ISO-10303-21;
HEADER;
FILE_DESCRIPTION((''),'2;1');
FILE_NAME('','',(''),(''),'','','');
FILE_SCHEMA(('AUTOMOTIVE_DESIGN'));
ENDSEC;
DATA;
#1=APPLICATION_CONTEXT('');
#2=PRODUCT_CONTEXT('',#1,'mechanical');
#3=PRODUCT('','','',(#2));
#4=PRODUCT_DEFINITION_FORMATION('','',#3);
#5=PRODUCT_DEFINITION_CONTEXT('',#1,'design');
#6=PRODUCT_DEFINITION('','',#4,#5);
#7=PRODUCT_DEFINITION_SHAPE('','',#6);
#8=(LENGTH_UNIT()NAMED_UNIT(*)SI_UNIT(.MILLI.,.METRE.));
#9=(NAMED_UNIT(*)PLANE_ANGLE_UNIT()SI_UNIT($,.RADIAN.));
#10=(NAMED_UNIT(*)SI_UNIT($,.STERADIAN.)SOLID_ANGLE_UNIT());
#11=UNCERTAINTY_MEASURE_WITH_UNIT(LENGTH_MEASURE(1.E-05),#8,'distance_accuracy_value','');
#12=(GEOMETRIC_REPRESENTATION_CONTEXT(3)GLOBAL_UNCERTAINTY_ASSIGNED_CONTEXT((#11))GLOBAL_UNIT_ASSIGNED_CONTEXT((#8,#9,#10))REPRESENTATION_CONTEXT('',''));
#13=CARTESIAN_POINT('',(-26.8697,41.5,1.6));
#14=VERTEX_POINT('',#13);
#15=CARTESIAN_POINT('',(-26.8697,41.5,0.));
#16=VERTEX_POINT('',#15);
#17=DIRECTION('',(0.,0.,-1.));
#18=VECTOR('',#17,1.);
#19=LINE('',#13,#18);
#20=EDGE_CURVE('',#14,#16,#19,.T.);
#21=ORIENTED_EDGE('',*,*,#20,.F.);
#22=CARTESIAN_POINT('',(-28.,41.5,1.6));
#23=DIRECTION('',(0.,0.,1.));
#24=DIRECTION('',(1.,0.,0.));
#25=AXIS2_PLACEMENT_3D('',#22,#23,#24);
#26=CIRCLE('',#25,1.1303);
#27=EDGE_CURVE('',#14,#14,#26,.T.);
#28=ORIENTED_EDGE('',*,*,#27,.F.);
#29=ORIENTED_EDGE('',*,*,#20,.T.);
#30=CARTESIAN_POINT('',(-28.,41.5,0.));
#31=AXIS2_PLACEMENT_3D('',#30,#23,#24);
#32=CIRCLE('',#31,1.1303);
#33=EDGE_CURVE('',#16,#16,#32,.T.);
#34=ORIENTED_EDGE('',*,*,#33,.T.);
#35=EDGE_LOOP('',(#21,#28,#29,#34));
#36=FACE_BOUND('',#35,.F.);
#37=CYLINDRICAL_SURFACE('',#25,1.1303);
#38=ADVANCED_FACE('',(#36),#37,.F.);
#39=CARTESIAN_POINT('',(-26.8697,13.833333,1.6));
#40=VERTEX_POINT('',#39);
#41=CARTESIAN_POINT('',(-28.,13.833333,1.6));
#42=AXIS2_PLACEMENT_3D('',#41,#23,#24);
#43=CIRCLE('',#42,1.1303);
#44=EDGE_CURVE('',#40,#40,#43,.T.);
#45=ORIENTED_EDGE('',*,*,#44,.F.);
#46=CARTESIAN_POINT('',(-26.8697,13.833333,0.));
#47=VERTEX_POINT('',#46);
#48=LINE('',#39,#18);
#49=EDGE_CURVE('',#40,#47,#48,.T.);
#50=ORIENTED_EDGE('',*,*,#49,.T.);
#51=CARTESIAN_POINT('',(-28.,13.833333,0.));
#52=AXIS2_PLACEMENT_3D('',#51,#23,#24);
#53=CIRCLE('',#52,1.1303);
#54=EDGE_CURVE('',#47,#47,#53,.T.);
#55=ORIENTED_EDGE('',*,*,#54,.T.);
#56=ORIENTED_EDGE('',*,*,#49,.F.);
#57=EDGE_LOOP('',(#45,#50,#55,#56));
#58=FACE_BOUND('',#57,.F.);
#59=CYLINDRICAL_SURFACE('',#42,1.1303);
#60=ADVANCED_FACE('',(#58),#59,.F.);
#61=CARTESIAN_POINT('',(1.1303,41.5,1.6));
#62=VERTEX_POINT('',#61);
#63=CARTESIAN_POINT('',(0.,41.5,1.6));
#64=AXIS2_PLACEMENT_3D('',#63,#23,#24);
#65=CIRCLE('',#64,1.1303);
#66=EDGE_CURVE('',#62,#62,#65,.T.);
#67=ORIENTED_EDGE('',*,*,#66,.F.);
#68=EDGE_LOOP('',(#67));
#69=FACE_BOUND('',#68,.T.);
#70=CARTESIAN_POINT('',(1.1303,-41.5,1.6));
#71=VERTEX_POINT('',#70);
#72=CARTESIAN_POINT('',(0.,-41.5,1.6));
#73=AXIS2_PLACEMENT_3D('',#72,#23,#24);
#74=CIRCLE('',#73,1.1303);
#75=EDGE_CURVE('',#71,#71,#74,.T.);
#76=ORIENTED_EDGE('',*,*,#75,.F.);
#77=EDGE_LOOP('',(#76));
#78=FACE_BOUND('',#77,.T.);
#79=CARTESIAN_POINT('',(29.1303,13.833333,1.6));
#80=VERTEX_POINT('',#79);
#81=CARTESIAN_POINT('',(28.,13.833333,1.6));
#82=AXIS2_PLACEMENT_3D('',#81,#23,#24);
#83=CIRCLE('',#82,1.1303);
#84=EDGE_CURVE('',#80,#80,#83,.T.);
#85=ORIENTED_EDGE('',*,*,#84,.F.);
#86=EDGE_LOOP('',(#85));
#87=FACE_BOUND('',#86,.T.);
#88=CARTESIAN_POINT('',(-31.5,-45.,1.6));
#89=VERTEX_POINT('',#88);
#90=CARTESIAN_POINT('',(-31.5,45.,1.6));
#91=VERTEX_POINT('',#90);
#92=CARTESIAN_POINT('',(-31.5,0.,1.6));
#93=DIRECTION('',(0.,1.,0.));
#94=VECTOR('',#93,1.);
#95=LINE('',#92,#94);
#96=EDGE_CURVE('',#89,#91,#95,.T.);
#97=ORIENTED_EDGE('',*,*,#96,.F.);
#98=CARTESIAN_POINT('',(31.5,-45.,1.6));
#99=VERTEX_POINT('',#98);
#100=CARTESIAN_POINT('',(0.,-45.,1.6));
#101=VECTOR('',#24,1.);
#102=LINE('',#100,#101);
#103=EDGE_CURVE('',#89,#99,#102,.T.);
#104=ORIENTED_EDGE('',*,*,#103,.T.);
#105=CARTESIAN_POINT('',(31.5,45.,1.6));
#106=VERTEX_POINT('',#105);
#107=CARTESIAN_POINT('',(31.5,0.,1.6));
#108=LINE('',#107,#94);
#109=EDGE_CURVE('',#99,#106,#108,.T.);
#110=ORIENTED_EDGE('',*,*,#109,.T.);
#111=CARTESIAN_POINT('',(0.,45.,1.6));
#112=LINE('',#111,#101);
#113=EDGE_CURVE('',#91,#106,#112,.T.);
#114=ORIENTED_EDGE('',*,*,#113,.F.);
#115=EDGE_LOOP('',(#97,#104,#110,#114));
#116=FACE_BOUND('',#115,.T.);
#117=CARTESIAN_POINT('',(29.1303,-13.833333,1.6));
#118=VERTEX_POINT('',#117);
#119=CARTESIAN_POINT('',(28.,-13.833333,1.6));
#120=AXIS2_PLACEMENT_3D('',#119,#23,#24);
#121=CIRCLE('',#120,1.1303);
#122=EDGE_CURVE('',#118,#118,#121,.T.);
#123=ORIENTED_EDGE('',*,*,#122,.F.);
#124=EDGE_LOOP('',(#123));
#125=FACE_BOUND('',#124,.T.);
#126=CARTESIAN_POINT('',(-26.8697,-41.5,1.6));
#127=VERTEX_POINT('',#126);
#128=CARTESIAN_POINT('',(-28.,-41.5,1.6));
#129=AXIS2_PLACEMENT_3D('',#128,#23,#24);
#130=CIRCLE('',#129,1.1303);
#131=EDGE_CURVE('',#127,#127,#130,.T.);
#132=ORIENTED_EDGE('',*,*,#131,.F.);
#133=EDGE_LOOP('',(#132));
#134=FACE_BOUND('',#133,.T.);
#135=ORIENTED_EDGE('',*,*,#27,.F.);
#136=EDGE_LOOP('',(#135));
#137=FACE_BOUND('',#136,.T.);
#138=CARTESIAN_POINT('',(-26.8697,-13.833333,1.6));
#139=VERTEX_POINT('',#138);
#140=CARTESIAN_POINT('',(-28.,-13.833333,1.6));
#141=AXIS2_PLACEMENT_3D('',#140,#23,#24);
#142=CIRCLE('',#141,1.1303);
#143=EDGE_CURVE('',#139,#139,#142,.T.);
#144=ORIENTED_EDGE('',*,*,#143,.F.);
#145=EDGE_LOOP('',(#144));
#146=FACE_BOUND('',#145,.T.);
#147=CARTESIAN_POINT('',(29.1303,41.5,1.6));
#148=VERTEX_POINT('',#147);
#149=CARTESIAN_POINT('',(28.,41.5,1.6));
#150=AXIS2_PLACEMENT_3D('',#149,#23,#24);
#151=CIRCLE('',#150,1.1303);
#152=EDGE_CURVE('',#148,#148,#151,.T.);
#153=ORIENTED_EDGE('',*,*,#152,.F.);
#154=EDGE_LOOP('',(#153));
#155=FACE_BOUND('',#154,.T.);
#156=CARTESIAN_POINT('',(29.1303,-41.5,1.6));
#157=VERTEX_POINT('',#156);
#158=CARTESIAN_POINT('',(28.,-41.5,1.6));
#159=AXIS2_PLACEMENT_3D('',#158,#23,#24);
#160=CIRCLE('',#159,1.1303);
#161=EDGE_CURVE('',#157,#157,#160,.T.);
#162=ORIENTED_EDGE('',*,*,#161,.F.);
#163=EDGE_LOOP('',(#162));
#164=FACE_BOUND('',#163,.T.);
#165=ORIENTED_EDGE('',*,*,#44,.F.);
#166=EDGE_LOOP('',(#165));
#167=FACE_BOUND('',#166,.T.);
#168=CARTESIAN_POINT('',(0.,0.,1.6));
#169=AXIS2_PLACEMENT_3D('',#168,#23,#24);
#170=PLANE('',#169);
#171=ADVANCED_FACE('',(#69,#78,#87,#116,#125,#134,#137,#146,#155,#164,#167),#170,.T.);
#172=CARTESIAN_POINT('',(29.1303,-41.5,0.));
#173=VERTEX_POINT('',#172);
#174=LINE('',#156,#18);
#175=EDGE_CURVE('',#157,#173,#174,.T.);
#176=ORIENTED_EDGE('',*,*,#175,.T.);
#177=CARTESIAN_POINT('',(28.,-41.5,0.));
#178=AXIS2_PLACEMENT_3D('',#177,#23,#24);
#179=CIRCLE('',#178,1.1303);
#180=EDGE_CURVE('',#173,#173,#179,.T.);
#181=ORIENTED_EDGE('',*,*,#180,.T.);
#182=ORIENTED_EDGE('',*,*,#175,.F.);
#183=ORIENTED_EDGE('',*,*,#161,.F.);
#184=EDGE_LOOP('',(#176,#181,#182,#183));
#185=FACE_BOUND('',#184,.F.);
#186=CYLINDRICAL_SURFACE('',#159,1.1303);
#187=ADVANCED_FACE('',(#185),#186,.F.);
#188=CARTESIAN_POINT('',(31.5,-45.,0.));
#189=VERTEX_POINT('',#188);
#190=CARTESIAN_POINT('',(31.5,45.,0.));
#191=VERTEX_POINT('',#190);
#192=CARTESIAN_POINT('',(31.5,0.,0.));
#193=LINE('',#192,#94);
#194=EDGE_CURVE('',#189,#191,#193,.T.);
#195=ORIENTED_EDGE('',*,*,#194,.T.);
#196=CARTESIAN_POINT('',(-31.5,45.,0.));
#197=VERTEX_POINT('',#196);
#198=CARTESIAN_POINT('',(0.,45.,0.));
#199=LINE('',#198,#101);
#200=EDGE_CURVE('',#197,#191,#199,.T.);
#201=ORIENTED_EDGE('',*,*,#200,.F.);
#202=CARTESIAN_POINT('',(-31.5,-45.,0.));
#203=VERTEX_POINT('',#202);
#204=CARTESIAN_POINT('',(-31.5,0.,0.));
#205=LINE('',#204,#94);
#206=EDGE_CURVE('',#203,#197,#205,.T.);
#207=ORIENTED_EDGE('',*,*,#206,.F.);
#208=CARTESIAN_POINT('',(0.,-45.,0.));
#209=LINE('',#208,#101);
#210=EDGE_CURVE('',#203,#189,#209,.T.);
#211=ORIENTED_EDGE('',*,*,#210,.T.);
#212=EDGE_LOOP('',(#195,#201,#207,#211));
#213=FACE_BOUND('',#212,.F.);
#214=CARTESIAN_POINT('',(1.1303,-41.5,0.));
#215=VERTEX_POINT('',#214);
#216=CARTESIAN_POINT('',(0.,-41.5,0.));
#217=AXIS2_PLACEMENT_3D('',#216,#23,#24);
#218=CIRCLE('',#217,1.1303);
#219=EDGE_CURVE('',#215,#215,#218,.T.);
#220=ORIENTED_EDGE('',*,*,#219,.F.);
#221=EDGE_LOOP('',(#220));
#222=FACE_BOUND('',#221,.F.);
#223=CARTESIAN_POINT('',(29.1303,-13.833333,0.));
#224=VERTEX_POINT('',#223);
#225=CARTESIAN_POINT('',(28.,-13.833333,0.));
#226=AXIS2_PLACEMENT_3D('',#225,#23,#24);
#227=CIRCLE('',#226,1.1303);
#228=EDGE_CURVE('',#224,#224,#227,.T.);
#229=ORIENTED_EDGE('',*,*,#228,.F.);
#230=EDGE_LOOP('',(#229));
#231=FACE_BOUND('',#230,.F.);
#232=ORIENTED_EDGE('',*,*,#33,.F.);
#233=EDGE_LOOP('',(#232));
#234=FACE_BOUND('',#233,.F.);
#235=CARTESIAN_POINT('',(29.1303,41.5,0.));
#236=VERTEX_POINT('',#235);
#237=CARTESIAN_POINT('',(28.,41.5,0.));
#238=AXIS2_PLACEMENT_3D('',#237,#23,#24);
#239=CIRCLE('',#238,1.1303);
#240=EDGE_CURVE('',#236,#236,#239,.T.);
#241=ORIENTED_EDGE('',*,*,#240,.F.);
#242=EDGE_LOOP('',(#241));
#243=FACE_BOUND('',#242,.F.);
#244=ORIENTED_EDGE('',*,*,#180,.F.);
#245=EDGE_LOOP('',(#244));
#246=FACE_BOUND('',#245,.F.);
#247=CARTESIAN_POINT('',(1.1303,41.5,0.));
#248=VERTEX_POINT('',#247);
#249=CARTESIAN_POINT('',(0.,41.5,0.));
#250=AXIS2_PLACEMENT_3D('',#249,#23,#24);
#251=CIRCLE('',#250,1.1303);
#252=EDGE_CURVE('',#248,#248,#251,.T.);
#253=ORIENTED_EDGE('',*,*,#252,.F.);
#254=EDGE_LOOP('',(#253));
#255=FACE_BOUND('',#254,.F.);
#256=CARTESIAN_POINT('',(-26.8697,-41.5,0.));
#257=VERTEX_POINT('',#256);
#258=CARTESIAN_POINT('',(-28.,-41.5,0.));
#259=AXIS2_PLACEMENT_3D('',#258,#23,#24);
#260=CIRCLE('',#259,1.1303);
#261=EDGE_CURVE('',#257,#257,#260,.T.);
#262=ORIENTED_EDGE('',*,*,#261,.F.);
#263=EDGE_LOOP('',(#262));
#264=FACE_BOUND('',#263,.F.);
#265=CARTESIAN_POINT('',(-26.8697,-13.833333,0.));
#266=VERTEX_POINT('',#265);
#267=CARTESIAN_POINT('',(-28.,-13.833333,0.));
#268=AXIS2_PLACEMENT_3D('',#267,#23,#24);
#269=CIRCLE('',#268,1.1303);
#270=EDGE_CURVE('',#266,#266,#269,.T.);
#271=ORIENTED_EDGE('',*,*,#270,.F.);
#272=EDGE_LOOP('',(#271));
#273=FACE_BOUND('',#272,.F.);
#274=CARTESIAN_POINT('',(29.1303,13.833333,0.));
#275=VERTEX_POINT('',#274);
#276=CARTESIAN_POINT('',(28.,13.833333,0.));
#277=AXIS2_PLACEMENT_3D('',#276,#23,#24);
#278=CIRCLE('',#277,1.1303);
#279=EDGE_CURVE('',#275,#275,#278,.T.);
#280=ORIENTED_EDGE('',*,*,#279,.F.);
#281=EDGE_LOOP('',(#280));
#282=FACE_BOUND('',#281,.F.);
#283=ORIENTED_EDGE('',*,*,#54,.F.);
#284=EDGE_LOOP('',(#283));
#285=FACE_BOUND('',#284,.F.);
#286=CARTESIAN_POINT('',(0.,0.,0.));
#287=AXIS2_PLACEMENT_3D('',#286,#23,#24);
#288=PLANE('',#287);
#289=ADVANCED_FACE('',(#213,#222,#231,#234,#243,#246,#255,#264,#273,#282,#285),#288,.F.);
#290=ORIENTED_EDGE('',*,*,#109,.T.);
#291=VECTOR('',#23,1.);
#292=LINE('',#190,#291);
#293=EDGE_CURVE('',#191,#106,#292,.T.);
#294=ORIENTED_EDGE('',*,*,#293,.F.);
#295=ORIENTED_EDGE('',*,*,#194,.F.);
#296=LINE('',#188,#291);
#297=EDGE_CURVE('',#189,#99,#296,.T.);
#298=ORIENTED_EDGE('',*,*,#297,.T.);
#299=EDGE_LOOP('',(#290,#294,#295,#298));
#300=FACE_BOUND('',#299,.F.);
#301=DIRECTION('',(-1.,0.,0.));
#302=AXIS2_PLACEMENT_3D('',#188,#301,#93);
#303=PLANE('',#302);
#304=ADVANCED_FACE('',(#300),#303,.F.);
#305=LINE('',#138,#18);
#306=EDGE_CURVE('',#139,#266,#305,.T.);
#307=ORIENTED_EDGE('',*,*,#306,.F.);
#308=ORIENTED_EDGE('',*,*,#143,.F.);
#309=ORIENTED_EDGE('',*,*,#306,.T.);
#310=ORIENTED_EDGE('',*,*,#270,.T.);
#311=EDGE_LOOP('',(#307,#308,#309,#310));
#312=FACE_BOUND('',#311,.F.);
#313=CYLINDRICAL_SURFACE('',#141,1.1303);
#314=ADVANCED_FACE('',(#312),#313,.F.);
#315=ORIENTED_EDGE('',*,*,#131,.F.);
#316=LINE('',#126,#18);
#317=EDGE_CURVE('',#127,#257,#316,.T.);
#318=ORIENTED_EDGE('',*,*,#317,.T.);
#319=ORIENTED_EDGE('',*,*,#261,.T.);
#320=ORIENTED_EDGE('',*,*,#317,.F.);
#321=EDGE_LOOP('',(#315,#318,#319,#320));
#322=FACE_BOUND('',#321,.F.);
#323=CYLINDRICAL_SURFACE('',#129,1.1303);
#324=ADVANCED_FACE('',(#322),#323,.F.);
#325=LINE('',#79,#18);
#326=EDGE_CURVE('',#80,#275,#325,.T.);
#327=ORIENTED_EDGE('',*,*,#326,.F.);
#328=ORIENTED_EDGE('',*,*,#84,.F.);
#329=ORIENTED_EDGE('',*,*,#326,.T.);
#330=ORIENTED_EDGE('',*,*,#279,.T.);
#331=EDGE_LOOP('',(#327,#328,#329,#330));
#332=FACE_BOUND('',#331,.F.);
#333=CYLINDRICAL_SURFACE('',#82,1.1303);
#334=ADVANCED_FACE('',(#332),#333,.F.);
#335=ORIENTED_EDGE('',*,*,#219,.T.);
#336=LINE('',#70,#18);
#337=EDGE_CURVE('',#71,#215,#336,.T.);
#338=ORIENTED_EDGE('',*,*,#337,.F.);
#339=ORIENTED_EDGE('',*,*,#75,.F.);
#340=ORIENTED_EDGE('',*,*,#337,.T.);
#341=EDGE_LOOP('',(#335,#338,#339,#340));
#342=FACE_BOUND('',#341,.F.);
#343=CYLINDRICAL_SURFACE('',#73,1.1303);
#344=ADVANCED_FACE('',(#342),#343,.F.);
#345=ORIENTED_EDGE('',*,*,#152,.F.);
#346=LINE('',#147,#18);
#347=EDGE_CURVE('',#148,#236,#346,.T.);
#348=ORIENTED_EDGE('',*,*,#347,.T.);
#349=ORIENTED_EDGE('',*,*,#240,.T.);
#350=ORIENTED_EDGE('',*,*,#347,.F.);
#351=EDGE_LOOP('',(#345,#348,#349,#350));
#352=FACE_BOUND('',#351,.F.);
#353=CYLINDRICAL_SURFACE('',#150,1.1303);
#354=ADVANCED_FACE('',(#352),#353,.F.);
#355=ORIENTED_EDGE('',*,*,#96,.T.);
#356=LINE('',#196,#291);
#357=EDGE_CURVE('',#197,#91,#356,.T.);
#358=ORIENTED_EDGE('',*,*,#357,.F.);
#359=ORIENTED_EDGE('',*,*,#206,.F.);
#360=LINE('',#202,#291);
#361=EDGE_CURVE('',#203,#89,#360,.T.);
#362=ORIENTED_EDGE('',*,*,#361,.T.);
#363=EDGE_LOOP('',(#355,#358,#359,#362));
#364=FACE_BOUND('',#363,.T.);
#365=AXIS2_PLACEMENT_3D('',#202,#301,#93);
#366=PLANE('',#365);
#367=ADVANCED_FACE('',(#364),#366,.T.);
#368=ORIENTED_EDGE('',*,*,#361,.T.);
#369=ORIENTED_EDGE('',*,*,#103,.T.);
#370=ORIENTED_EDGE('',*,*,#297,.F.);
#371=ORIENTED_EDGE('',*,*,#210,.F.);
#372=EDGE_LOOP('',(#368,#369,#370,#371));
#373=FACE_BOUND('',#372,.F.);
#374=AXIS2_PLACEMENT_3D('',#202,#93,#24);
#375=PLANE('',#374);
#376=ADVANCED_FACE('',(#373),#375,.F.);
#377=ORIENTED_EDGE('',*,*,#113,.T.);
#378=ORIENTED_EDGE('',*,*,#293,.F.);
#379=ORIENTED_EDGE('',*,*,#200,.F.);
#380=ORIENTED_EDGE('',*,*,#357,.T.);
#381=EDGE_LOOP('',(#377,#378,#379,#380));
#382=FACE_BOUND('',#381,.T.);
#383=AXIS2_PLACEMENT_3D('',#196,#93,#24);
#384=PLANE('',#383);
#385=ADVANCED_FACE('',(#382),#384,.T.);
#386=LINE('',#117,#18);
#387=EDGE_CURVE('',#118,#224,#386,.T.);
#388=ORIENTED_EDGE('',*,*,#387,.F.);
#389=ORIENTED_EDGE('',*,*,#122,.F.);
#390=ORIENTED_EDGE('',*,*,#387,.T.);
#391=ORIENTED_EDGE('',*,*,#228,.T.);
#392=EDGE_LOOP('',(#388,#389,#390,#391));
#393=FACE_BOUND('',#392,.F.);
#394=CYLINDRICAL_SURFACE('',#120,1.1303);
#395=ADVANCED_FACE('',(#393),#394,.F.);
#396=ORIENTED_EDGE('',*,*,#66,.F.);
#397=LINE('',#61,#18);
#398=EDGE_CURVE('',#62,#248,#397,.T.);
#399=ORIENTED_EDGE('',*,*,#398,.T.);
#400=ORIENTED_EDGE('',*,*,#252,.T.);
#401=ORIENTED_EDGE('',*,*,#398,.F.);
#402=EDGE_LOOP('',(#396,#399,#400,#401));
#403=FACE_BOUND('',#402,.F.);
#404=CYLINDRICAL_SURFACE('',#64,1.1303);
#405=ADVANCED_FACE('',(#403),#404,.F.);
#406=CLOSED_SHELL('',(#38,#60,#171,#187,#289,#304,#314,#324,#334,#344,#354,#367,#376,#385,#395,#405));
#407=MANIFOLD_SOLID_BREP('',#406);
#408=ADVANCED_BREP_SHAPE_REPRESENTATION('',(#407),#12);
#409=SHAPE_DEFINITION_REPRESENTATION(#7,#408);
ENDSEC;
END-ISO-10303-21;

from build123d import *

# Parameters (mm, degrees)
F0_W     = 63
F0_H     = 90
F1_DEPTH = 1.6
F2_R     = 1.1303
F3_DEPTH = 25


with BuildPart() as f1:
    # F0 (on Top) → F1 (new body)
    with BuildSketch(Plane.XY):
        Rectangle(F0_W, F0_H)
    extrude(amount=F1_DEPTH)

    # F2 (on face) → F3 (cut)
    with BuildSketch(Plane.XY.offset(1.6)):
        with Locations((-28, 41.5)):
            Circle(F2_R)
        with Locations((0, 41.5)):
            Circle(F2_R)
        with Locations((28, 41.5)):
            Circle(F2_R)
        with Locations((28, 13.833333)):
            Circle(F2_R)
        with Locations((28, -13.833333)):
            Circle(F2_R)
        with Locations((0, -41.5)):
            Circle(F2_R)
        with Locations((-28, -41.5)):
            Circle(F2_R)
        with Locations((-28, -13.833333)):
            Circle(F2_R)
        with Locations((-28, 13.833333)):
            Circle(F2_R)
        with Locations((28, -41.5)):
            Circle(F2_R)
    extrude(amount=-F3_DEPTH, mode=Mode.SUBTRACT)


solid = f1.part
